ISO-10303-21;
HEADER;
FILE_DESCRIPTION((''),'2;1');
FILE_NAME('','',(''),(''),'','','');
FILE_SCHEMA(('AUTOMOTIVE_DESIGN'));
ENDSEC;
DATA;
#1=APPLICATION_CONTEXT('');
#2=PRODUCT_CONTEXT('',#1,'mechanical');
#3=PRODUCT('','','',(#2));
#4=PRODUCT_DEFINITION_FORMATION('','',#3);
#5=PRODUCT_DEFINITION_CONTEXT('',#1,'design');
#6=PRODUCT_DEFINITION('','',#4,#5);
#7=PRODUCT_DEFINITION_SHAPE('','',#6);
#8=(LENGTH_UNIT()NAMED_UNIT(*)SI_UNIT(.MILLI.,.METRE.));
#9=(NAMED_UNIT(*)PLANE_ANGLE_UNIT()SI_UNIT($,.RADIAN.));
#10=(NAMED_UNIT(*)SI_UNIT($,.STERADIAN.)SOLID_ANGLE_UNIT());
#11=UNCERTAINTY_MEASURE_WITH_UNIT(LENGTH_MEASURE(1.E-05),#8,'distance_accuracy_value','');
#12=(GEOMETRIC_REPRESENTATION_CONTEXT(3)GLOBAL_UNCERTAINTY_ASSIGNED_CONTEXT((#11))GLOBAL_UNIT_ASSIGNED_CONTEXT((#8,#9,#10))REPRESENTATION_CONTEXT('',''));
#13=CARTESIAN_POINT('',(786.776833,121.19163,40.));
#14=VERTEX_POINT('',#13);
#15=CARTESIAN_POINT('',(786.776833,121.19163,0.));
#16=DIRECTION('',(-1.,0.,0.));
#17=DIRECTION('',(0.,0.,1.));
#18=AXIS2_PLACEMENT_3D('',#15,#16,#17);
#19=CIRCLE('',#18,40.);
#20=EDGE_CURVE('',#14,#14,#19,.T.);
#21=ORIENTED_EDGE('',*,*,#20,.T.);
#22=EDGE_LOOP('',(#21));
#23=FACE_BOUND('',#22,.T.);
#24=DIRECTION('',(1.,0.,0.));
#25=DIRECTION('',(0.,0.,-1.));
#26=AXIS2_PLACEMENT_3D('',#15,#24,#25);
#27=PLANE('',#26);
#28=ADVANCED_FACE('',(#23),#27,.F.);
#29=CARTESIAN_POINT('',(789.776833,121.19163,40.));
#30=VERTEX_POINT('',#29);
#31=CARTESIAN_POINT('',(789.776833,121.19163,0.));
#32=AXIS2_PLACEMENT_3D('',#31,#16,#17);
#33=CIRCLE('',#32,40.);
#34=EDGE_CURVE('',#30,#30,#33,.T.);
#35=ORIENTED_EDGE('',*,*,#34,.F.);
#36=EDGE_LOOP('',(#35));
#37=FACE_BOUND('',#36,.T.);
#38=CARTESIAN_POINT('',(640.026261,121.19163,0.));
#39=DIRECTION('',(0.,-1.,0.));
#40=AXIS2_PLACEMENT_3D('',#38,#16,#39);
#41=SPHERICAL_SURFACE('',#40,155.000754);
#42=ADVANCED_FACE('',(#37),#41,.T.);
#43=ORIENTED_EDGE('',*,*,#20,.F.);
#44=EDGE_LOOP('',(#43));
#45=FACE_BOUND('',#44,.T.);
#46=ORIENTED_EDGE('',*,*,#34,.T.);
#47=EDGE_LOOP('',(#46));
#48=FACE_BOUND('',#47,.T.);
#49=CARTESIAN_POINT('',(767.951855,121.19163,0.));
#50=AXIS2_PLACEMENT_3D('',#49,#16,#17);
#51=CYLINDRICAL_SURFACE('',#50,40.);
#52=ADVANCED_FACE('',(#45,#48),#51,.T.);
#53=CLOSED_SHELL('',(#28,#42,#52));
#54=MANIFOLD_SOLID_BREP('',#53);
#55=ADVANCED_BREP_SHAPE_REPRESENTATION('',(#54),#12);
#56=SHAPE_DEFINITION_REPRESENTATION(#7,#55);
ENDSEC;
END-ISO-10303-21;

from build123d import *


with BuildPart() as part:
    # 草图1 → 旋转1 (revolve)
    with BuildSketch(Plane.XY, mode=Mode.PRIVATE) as revolve_1_sk:
        with BuildLine():
            Line((786.776833113, 121.191629626), (786.776833113, 161.191629626))
            Line((786.776833113, 161.191629626), (789.776833113, 161.191629626))
            ThreePointArc((789.776833113, 161.191629626), (793.708864911, 141.363171544), (795.027015348, 121.191629626))
            Line((795.027015348, 121.191629626), (786.776833113, 121.191629626))
        make_face()
    revolve(revolve_1_sk.sketch.rotate(Axis((767.951855436, 121.191629626, 0), (1, 0, 0)), 180), axis=Axis((767.951855436, 121.191629626, 0), (1, 0, 0)))  # turned: the seam where the file's is


solid = part.part
